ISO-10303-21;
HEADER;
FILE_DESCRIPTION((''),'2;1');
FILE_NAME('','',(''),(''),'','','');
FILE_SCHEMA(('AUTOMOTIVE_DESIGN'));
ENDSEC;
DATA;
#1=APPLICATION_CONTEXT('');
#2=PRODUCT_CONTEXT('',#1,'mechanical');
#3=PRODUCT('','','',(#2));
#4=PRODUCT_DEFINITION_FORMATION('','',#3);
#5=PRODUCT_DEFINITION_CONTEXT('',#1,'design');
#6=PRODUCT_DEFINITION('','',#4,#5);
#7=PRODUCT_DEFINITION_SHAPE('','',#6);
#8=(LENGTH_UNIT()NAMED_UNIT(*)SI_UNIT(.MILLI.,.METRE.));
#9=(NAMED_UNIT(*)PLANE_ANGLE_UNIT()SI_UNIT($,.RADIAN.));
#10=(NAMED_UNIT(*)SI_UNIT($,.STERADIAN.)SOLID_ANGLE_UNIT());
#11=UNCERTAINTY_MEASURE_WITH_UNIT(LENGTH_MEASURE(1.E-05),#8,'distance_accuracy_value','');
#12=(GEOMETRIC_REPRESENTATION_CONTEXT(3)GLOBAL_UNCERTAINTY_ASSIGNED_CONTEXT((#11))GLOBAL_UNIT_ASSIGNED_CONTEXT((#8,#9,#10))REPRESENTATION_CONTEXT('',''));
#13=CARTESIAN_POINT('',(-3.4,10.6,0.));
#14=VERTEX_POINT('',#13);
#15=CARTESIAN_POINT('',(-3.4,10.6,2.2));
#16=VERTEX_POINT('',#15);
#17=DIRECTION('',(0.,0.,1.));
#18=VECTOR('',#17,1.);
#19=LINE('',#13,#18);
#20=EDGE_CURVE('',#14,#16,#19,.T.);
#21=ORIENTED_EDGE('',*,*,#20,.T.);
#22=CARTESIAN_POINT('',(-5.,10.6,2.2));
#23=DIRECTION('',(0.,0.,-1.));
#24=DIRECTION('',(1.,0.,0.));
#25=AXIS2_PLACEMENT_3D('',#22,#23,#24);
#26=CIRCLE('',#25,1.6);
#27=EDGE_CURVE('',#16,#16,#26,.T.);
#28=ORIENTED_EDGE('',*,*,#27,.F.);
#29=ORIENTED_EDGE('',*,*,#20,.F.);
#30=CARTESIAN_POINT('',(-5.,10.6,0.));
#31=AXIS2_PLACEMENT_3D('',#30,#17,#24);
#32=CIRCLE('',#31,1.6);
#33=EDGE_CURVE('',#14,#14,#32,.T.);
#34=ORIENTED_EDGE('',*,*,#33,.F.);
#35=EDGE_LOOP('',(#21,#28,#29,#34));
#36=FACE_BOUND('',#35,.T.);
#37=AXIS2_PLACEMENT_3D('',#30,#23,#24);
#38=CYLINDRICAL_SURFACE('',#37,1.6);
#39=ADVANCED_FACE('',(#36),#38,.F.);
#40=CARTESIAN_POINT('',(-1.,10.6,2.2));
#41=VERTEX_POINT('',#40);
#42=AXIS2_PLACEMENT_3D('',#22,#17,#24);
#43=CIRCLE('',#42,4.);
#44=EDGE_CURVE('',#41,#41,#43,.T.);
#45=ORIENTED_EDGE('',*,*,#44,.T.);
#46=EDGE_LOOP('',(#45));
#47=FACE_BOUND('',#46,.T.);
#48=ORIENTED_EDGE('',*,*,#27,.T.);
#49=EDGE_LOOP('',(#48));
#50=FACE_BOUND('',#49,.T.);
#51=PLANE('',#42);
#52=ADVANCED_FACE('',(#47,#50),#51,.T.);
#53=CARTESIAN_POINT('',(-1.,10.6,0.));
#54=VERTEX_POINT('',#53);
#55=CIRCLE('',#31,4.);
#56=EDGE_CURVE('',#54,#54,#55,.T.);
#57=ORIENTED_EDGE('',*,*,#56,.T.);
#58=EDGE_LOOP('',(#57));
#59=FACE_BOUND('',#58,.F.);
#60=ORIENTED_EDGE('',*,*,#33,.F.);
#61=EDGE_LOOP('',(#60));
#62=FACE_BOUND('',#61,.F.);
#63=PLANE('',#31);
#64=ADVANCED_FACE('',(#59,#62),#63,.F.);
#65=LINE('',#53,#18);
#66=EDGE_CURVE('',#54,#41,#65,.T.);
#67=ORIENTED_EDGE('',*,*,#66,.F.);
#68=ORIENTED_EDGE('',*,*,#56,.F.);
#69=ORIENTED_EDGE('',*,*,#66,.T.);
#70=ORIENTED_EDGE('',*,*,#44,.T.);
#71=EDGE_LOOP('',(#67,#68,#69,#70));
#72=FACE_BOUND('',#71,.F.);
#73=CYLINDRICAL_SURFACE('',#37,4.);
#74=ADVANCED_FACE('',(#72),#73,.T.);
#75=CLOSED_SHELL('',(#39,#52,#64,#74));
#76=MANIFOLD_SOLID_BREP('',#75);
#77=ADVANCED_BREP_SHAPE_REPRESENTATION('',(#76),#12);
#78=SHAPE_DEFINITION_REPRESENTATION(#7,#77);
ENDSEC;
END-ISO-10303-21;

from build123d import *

# Parameters (mm, degrees)
CYLINDER014_R     = 1.6
CYLINDER014_DEPTH = 6
CYLINDER018_R     = 4
CYLINDER018_DEPTH = 2.2


with BuildPart() as cylinder011:
    # Cylinder014 → Cylinder014 (new body)
    with BuildSketch(Plane(origin=(-5, 10.6, 0), x_dir=(1, 0, 0), z_dir=(0, 0, 1))):
        Circle(CYLINDER014_R)
    extrude(amount=CYLINDER014_DEPTH)


with BuildPart() as washer:
    # Cylinder018 → Cylinder018 (new body)
    with BuildSketch(Plane(origin=(-5, 10.6, 0), x_dir=(1, 0, 0), z_dir=(0, 0, 1))):
        Circle(CYLINDER018_R)
    extrude(amount=CYLINDER018_DEPTH)

    # Cut001005: cut Cylinder011
    add(cylinder011.part, mode=Mode.SUBTRACT)


solid = washer.part
